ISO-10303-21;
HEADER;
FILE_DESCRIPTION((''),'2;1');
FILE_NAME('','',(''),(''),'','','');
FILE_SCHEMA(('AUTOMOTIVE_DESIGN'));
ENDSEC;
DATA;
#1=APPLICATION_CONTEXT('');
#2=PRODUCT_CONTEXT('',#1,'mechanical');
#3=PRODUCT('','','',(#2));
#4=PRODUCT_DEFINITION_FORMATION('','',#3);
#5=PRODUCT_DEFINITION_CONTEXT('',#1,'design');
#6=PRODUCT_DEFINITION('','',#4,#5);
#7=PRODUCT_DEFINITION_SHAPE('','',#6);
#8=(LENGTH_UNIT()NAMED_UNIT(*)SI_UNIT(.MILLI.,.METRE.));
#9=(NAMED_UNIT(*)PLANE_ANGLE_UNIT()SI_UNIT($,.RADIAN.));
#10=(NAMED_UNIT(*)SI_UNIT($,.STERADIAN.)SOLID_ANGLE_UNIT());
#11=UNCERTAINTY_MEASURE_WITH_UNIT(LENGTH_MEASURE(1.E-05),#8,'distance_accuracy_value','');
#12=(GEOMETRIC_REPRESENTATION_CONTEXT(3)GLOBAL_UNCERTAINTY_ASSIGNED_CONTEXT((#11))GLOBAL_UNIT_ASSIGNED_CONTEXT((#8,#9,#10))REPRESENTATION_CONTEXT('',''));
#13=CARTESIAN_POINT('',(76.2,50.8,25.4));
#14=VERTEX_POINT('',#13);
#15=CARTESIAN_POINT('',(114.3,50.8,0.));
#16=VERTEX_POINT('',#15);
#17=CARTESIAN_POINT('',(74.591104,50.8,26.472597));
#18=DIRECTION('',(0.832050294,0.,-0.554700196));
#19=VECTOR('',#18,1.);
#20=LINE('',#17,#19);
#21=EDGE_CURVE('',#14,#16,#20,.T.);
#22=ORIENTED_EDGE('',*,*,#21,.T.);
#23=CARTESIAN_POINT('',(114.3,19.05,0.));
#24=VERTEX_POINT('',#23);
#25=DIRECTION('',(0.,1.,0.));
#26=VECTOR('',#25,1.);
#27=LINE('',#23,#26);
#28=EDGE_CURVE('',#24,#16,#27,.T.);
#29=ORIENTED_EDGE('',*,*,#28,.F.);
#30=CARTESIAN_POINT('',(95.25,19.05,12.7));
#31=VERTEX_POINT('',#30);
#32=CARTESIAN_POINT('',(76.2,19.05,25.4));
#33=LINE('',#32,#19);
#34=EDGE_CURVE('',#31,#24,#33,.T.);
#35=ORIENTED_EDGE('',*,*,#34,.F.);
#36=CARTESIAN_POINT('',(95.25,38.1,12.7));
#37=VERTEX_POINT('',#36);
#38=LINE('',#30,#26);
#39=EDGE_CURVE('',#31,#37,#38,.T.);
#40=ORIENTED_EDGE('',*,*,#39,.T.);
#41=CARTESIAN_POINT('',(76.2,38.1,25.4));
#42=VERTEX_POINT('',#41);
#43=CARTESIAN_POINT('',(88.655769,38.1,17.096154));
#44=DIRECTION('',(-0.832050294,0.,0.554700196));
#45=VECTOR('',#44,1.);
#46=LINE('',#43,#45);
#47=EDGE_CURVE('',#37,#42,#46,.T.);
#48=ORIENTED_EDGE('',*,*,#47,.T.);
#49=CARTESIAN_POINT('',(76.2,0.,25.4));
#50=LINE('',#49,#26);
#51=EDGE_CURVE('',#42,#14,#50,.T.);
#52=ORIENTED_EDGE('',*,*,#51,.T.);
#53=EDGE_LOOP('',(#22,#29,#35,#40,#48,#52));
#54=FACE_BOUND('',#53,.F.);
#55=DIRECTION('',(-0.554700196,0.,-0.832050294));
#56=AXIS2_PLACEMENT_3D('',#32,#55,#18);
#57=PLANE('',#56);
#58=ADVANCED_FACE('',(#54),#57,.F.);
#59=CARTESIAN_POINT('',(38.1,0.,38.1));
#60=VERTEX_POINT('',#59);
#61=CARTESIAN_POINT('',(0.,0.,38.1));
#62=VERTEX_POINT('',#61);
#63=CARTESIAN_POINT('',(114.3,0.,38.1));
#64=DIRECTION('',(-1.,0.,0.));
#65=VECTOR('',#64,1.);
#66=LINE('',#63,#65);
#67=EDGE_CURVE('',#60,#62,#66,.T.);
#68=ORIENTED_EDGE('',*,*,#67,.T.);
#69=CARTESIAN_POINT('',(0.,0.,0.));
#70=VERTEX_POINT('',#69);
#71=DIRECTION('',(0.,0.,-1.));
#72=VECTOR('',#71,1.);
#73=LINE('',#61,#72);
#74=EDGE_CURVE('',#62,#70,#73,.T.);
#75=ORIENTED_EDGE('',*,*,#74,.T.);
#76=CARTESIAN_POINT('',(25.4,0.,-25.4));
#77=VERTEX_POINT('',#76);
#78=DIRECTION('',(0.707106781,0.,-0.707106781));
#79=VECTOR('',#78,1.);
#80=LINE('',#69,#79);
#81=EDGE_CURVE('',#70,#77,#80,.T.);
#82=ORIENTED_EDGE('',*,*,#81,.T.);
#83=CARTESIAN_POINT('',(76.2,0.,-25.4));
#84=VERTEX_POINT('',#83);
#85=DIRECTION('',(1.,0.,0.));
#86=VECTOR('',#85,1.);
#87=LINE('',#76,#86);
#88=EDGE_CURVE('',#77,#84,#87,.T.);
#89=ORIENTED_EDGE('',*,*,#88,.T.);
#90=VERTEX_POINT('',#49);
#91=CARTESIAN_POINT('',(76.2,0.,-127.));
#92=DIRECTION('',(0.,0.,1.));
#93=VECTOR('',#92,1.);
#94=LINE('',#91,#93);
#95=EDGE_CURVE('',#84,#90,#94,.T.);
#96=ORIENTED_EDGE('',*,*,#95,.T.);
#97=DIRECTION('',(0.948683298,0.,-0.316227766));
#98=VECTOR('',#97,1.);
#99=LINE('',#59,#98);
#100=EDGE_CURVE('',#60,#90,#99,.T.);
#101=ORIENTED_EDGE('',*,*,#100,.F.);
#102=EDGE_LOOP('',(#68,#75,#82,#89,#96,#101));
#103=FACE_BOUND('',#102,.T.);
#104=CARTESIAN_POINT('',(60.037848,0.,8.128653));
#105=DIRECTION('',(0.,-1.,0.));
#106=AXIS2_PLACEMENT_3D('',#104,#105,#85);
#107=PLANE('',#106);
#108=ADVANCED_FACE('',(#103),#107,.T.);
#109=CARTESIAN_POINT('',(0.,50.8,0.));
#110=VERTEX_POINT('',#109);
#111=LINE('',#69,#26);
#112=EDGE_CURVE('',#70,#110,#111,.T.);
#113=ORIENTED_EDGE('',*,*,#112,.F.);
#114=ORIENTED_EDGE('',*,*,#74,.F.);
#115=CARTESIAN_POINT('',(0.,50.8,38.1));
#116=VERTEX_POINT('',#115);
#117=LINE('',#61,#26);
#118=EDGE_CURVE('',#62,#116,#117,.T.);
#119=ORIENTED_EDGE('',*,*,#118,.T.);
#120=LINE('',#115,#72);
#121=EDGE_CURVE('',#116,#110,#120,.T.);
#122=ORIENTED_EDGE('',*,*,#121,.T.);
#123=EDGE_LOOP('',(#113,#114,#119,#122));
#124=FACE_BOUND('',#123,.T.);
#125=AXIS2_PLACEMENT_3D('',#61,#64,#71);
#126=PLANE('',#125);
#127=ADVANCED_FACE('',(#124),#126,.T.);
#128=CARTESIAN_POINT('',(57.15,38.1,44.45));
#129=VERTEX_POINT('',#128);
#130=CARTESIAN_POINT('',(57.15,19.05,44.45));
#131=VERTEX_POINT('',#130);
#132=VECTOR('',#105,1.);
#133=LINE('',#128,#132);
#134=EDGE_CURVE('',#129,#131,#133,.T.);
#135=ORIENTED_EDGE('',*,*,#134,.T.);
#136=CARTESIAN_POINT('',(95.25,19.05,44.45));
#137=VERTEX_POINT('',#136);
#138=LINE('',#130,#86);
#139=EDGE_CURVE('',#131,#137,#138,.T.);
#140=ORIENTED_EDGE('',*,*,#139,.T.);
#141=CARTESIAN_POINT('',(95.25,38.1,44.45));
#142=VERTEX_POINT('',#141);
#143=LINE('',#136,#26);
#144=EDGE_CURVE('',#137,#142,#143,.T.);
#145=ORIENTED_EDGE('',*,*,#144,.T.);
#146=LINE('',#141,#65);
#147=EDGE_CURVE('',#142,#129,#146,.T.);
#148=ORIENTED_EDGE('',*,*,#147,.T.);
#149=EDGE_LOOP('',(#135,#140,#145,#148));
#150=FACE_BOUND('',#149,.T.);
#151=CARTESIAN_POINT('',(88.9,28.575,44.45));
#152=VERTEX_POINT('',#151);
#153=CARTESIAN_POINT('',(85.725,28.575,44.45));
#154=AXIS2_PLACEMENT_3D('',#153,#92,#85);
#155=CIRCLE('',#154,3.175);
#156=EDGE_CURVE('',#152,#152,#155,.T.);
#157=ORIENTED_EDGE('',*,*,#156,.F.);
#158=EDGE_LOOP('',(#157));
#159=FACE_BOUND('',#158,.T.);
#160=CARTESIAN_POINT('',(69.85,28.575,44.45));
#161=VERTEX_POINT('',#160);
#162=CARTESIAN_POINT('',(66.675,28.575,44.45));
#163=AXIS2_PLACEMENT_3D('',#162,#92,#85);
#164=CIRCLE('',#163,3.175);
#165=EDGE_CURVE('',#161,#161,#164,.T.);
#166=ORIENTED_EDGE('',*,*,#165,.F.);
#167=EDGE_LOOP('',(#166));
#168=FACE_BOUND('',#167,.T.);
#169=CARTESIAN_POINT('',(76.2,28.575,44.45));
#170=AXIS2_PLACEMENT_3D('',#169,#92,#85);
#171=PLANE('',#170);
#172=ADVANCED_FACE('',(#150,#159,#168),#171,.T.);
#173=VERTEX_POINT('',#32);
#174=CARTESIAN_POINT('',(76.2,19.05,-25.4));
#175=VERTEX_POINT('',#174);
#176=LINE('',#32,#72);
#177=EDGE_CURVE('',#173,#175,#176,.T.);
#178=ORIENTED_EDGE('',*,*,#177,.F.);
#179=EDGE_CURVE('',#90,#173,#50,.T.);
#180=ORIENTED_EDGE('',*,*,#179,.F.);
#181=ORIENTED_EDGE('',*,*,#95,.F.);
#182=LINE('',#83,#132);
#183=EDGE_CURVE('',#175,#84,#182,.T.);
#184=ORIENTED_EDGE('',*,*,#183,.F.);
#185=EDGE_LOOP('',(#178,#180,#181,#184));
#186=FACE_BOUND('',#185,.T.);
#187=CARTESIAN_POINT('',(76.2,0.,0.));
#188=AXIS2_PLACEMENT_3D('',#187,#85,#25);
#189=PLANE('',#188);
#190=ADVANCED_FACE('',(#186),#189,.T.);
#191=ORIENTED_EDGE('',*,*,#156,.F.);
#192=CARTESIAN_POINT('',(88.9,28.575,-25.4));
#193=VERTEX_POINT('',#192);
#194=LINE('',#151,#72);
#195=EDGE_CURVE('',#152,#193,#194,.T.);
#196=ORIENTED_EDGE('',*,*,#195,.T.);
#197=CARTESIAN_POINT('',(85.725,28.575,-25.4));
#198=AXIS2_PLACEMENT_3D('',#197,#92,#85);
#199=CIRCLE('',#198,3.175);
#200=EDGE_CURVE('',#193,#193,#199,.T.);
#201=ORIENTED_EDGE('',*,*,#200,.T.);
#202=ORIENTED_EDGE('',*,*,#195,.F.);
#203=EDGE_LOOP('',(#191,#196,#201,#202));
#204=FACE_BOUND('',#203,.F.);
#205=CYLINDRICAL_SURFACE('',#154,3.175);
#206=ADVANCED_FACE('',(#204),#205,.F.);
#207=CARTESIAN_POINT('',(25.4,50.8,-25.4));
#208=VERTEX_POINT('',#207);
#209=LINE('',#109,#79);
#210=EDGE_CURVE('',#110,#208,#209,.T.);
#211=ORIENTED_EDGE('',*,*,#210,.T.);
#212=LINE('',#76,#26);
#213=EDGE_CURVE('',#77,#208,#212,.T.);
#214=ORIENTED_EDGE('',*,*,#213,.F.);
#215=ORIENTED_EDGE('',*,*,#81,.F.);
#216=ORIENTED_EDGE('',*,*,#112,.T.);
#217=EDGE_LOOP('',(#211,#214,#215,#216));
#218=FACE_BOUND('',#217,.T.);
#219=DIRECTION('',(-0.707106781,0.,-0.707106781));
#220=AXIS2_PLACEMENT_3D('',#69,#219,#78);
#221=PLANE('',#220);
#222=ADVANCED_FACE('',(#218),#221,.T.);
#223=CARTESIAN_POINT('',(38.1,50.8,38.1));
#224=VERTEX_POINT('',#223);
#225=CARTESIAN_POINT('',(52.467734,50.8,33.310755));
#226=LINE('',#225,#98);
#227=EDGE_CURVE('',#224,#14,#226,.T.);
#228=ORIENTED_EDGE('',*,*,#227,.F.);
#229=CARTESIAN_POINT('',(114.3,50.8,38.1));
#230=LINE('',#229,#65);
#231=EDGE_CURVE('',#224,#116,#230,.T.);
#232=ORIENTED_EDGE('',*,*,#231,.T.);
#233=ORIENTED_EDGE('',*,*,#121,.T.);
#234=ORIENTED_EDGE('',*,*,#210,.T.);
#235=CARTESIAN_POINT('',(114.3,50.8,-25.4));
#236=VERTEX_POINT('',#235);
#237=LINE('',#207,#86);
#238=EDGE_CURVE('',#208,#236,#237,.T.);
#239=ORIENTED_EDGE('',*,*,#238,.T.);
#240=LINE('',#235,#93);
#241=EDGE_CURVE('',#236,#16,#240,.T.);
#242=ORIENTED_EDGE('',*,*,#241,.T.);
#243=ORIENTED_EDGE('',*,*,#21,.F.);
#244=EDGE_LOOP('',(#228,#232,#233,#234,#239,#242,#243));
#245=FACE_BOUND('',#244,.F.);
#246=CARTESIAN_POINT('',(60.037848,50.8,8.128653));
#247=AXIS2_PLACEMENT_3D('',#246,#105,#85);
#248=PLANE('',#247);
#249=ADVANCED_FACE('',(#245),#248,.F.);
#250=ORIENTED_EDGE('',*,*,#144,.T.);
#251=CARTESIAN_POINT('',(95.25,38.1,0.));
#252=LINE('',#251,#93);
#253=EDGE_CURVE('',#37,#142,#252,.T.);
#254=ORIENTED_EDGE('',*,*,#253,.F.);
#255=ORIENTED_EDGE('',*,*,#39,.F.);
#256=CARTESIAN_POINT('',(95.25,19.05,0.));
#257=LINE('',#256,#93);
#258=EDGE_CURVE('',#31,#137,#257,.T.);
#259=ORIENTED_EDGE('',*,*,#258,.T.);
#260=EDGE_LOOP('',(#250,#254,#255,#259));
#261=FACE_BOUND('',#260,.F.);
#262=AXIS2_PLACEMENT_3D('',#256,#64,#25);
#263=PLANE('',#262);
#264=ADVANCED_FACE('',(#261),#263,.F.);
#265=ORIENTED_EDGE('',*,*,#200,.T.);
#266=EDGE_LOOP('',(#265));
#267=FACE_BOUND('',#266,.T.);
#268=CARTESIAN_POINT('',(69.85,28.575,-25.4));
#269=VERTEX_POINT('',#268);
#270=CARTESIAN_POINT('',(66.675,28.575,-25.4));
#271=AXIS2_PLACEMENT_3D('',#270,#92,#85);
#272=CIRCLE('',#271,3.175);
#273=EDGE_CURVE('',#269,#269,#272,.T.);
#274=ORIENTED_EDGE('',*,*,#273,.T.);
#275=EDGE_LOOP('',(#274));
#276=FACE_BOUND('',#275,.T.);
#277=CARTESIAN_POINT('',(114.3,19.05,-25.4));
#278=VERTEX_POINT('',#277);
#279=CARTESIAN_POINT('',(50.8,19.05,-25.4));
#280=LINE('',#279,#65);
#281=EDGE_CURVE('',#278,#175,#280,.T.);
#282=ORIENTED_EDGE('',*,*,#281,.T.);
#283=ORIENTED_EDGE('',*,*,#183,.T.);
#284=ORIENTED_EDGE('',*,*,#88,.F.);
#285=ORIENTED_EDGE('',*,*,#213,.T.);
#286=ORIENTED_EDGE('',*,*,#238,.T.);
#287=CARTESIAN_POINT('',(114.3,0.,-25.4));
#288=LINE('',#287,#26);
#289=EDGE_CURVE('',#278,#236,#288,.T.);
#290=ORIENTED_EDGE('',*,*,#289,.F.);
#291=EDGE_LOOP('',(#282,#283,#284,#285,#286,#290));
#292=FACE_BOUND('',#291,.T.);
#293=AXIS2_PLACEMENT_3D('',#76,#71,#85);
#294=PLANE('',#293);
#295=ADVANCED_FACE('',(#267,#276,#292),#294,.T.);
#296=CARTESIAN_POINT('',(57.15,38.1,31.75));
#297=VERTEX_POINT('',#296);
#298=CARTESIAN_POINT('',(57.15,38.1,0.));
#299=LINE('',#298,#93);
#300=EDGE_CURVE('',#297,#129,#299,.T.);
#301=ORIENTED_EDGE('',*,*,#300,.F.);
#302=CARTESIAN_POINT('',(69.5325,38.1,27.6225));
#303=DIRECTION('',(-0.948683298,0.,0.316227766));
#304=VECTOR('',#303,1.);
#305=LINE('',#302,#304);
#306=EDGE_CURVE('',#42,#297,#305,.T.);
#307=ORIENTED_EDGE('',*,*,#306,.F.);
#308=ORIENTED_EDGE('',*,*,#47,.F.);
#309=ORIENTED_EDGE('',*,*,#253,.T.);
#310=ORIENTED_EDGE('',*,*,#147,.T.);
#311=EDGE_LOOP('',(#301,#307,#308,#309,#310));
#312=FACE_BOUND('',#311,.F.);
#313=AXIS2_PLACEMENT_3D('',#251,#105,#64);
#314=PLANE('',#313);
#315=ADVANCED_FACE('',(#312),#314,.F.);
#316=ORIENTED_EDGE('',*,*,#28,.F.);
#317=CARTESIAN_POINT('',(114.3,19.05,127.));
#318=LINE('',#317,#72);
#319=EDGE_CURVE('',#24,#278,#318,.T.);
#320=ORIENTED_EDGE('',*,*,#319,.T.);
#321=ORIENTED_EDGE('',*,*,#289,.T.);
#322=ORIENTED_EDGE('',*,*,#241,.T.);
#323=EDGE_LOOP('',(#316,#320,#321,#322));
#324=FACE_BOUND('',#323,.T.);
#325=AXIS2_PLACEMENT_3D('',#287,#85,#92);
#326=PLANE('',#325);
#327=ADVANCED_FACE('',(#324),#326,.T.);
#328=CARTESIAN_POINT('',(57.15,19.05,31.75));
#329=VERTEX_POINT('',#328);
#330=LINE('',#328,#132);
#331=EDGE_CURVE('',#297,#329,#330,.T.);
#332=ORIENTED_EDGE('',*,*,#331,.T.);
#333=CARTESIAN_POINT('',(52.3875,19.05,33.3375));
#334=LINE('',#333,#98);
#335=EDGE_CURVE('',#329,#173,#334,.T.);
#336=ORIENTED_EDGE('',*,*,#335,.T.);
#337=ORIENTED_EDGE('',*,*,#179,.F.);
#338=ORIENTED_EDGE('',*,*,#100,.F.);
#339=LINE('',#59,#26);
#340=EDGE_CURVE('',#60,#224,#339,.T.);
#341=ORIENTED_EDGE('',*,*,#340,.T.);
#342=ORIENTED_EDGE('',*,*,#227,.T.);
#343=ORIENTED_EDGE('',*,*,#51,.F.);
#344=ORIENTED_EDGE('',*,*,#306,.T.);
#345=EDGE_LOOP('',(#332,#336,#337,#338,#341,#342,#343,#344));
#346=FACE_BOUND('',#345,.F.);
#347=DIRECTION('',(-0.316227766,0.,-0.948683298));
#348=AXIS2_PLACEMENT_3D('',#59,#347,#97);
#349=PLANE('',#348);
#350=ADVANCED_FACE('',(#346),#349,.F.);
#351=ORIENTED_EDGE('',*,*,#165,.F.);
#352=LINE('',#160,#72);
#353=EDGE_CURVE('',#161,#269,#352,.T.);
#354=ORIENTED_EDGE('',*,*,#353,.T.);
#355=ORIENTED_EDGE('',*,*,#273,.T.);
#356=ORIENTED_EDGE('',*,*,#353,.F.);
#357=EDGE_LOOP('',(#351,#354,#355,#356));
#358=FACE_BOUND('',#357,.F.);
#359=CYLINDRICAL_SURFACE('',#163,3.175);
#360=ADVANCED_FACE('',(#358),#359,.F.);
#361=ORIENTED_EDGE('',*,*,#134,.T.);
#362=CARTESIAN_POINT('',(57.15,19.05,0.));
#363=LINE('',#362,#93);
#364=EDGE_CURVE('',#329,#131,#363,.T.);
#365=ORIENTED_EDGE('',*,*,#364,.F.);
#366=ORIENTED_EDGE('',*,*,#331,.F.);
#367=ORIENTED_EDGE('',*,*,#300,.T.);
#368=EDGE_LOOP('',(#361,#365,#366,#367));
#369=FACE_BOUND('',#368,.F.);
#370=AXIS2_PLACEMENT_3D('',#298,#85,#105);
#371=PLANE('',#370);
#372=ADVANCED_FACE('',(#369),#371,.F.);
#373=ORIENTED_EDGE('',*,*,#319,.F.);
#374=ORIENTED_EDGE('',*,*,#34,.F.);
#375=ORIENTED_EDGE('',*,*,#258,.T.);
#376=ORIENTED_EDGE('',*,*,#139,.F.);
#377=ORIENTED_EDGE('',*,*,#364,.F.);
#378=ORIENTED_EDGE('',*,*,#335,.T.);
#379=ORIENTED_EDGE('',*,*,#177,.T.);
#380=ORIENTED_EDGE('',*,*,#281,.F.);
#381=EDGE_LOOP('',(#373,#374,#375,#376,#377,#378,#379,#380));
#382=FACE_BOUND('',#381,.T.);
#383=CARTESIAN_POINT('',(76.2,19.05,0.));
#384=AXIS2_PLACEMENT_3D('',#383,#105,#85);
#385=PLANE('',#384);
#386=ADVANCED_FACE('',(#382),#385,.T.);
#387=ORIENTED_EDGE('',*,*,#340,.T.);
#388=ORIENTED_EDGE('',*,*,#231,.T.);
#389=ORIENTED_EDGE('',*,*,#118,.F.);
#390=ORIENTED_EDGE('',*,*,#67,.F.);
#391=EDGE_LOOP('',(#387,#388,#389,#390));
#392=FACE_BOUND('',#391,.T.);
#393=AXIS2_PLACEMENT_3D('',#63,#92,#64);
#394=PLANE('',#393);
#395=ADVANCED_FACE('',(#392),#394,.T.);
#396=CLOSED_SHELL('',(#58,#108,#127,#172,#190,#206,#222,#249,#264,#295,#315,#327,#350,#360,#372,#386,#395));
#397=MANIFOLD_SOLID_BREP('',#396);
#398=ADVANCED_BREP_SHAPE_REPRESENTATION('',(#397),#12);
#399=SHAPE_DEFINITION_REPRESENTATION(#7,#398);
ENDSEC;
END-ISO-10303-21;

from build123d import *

# Parameters (mm, degrees)
F1_DEPTH  = 50.8
F2_W      = 38.1
F2_H      = 19.05
F3_DEPTH  = 127
F5_DEPTH  = 50.801
F7_DEPTH  = 31.751
F9_DEPTH  = 44.45
F10_R     = 3.175
F11_DEPTH = 69.851


with BuildPart() as f1:
    # F0 (on Front) → F1 (new body)
    with BuildSketch(Plane.XZ):
        Polygon((0, 38.1), (0, 0), (25.4, -25.4), (76.2, -25.4), (114.3, -25.4), (114.3, 38.1), align=None)
    extrude(amount=-F1_DEPTH)

    # F2 (on Top) → F3 (cut, symmetric)
    with BuildSketch(Plane.XY):
        with Locations((95.25, 9.525)):
            Rectangle(F2_W, F2_H)
    extrude(amount=F3_DEPTH, both=True, mode=Mode.SUBTRACT)

    # F4 (on Front) → F5 (cut, through all)
    with BuildSketch(Plane.XZ):
        Polygon((76.2, 25.4), (76.2, 38.1), (38.1, 38.1), align=None)
    extrude(amount=-F5_DEPTH, mode=Mode.SUBTRACT)

    # F6 (on face) → F7 (cut, through all)
    with BuildSketch(Plane.XZ.offset(-19.05)):
        Polygon((76.2, 25.4), (114.3, 0), (114.3, 38.1), (76.2, 38.1), align=None)
    extrude(amount=-F7_DEPTH, mode=Mode.SUBTRACT)

    # F8 (on Top) → F9 (join)
    with BuildSketch(Plane.XY):
        Polygon((57.15, 19.05), (76.2, 19.05), (95.25, 19.05), (95.25, 38.1), (57.15, 38.1), align=None)
    extrude(amount=F9_DEPTH)

    # F10 (on face) → F11 (cut, through all)
    with BuildSketch(Plane.XY.offset(44.45)):
        with Locations((66.675, 28.575)):
            Circle(F10_R)
        with Locations((85.725, 28.575)):
            Circle(F10_R)
    extrude(amount=-F11_DEPTH, mode=Mode.SUBTRACT)


solid = f1.part
